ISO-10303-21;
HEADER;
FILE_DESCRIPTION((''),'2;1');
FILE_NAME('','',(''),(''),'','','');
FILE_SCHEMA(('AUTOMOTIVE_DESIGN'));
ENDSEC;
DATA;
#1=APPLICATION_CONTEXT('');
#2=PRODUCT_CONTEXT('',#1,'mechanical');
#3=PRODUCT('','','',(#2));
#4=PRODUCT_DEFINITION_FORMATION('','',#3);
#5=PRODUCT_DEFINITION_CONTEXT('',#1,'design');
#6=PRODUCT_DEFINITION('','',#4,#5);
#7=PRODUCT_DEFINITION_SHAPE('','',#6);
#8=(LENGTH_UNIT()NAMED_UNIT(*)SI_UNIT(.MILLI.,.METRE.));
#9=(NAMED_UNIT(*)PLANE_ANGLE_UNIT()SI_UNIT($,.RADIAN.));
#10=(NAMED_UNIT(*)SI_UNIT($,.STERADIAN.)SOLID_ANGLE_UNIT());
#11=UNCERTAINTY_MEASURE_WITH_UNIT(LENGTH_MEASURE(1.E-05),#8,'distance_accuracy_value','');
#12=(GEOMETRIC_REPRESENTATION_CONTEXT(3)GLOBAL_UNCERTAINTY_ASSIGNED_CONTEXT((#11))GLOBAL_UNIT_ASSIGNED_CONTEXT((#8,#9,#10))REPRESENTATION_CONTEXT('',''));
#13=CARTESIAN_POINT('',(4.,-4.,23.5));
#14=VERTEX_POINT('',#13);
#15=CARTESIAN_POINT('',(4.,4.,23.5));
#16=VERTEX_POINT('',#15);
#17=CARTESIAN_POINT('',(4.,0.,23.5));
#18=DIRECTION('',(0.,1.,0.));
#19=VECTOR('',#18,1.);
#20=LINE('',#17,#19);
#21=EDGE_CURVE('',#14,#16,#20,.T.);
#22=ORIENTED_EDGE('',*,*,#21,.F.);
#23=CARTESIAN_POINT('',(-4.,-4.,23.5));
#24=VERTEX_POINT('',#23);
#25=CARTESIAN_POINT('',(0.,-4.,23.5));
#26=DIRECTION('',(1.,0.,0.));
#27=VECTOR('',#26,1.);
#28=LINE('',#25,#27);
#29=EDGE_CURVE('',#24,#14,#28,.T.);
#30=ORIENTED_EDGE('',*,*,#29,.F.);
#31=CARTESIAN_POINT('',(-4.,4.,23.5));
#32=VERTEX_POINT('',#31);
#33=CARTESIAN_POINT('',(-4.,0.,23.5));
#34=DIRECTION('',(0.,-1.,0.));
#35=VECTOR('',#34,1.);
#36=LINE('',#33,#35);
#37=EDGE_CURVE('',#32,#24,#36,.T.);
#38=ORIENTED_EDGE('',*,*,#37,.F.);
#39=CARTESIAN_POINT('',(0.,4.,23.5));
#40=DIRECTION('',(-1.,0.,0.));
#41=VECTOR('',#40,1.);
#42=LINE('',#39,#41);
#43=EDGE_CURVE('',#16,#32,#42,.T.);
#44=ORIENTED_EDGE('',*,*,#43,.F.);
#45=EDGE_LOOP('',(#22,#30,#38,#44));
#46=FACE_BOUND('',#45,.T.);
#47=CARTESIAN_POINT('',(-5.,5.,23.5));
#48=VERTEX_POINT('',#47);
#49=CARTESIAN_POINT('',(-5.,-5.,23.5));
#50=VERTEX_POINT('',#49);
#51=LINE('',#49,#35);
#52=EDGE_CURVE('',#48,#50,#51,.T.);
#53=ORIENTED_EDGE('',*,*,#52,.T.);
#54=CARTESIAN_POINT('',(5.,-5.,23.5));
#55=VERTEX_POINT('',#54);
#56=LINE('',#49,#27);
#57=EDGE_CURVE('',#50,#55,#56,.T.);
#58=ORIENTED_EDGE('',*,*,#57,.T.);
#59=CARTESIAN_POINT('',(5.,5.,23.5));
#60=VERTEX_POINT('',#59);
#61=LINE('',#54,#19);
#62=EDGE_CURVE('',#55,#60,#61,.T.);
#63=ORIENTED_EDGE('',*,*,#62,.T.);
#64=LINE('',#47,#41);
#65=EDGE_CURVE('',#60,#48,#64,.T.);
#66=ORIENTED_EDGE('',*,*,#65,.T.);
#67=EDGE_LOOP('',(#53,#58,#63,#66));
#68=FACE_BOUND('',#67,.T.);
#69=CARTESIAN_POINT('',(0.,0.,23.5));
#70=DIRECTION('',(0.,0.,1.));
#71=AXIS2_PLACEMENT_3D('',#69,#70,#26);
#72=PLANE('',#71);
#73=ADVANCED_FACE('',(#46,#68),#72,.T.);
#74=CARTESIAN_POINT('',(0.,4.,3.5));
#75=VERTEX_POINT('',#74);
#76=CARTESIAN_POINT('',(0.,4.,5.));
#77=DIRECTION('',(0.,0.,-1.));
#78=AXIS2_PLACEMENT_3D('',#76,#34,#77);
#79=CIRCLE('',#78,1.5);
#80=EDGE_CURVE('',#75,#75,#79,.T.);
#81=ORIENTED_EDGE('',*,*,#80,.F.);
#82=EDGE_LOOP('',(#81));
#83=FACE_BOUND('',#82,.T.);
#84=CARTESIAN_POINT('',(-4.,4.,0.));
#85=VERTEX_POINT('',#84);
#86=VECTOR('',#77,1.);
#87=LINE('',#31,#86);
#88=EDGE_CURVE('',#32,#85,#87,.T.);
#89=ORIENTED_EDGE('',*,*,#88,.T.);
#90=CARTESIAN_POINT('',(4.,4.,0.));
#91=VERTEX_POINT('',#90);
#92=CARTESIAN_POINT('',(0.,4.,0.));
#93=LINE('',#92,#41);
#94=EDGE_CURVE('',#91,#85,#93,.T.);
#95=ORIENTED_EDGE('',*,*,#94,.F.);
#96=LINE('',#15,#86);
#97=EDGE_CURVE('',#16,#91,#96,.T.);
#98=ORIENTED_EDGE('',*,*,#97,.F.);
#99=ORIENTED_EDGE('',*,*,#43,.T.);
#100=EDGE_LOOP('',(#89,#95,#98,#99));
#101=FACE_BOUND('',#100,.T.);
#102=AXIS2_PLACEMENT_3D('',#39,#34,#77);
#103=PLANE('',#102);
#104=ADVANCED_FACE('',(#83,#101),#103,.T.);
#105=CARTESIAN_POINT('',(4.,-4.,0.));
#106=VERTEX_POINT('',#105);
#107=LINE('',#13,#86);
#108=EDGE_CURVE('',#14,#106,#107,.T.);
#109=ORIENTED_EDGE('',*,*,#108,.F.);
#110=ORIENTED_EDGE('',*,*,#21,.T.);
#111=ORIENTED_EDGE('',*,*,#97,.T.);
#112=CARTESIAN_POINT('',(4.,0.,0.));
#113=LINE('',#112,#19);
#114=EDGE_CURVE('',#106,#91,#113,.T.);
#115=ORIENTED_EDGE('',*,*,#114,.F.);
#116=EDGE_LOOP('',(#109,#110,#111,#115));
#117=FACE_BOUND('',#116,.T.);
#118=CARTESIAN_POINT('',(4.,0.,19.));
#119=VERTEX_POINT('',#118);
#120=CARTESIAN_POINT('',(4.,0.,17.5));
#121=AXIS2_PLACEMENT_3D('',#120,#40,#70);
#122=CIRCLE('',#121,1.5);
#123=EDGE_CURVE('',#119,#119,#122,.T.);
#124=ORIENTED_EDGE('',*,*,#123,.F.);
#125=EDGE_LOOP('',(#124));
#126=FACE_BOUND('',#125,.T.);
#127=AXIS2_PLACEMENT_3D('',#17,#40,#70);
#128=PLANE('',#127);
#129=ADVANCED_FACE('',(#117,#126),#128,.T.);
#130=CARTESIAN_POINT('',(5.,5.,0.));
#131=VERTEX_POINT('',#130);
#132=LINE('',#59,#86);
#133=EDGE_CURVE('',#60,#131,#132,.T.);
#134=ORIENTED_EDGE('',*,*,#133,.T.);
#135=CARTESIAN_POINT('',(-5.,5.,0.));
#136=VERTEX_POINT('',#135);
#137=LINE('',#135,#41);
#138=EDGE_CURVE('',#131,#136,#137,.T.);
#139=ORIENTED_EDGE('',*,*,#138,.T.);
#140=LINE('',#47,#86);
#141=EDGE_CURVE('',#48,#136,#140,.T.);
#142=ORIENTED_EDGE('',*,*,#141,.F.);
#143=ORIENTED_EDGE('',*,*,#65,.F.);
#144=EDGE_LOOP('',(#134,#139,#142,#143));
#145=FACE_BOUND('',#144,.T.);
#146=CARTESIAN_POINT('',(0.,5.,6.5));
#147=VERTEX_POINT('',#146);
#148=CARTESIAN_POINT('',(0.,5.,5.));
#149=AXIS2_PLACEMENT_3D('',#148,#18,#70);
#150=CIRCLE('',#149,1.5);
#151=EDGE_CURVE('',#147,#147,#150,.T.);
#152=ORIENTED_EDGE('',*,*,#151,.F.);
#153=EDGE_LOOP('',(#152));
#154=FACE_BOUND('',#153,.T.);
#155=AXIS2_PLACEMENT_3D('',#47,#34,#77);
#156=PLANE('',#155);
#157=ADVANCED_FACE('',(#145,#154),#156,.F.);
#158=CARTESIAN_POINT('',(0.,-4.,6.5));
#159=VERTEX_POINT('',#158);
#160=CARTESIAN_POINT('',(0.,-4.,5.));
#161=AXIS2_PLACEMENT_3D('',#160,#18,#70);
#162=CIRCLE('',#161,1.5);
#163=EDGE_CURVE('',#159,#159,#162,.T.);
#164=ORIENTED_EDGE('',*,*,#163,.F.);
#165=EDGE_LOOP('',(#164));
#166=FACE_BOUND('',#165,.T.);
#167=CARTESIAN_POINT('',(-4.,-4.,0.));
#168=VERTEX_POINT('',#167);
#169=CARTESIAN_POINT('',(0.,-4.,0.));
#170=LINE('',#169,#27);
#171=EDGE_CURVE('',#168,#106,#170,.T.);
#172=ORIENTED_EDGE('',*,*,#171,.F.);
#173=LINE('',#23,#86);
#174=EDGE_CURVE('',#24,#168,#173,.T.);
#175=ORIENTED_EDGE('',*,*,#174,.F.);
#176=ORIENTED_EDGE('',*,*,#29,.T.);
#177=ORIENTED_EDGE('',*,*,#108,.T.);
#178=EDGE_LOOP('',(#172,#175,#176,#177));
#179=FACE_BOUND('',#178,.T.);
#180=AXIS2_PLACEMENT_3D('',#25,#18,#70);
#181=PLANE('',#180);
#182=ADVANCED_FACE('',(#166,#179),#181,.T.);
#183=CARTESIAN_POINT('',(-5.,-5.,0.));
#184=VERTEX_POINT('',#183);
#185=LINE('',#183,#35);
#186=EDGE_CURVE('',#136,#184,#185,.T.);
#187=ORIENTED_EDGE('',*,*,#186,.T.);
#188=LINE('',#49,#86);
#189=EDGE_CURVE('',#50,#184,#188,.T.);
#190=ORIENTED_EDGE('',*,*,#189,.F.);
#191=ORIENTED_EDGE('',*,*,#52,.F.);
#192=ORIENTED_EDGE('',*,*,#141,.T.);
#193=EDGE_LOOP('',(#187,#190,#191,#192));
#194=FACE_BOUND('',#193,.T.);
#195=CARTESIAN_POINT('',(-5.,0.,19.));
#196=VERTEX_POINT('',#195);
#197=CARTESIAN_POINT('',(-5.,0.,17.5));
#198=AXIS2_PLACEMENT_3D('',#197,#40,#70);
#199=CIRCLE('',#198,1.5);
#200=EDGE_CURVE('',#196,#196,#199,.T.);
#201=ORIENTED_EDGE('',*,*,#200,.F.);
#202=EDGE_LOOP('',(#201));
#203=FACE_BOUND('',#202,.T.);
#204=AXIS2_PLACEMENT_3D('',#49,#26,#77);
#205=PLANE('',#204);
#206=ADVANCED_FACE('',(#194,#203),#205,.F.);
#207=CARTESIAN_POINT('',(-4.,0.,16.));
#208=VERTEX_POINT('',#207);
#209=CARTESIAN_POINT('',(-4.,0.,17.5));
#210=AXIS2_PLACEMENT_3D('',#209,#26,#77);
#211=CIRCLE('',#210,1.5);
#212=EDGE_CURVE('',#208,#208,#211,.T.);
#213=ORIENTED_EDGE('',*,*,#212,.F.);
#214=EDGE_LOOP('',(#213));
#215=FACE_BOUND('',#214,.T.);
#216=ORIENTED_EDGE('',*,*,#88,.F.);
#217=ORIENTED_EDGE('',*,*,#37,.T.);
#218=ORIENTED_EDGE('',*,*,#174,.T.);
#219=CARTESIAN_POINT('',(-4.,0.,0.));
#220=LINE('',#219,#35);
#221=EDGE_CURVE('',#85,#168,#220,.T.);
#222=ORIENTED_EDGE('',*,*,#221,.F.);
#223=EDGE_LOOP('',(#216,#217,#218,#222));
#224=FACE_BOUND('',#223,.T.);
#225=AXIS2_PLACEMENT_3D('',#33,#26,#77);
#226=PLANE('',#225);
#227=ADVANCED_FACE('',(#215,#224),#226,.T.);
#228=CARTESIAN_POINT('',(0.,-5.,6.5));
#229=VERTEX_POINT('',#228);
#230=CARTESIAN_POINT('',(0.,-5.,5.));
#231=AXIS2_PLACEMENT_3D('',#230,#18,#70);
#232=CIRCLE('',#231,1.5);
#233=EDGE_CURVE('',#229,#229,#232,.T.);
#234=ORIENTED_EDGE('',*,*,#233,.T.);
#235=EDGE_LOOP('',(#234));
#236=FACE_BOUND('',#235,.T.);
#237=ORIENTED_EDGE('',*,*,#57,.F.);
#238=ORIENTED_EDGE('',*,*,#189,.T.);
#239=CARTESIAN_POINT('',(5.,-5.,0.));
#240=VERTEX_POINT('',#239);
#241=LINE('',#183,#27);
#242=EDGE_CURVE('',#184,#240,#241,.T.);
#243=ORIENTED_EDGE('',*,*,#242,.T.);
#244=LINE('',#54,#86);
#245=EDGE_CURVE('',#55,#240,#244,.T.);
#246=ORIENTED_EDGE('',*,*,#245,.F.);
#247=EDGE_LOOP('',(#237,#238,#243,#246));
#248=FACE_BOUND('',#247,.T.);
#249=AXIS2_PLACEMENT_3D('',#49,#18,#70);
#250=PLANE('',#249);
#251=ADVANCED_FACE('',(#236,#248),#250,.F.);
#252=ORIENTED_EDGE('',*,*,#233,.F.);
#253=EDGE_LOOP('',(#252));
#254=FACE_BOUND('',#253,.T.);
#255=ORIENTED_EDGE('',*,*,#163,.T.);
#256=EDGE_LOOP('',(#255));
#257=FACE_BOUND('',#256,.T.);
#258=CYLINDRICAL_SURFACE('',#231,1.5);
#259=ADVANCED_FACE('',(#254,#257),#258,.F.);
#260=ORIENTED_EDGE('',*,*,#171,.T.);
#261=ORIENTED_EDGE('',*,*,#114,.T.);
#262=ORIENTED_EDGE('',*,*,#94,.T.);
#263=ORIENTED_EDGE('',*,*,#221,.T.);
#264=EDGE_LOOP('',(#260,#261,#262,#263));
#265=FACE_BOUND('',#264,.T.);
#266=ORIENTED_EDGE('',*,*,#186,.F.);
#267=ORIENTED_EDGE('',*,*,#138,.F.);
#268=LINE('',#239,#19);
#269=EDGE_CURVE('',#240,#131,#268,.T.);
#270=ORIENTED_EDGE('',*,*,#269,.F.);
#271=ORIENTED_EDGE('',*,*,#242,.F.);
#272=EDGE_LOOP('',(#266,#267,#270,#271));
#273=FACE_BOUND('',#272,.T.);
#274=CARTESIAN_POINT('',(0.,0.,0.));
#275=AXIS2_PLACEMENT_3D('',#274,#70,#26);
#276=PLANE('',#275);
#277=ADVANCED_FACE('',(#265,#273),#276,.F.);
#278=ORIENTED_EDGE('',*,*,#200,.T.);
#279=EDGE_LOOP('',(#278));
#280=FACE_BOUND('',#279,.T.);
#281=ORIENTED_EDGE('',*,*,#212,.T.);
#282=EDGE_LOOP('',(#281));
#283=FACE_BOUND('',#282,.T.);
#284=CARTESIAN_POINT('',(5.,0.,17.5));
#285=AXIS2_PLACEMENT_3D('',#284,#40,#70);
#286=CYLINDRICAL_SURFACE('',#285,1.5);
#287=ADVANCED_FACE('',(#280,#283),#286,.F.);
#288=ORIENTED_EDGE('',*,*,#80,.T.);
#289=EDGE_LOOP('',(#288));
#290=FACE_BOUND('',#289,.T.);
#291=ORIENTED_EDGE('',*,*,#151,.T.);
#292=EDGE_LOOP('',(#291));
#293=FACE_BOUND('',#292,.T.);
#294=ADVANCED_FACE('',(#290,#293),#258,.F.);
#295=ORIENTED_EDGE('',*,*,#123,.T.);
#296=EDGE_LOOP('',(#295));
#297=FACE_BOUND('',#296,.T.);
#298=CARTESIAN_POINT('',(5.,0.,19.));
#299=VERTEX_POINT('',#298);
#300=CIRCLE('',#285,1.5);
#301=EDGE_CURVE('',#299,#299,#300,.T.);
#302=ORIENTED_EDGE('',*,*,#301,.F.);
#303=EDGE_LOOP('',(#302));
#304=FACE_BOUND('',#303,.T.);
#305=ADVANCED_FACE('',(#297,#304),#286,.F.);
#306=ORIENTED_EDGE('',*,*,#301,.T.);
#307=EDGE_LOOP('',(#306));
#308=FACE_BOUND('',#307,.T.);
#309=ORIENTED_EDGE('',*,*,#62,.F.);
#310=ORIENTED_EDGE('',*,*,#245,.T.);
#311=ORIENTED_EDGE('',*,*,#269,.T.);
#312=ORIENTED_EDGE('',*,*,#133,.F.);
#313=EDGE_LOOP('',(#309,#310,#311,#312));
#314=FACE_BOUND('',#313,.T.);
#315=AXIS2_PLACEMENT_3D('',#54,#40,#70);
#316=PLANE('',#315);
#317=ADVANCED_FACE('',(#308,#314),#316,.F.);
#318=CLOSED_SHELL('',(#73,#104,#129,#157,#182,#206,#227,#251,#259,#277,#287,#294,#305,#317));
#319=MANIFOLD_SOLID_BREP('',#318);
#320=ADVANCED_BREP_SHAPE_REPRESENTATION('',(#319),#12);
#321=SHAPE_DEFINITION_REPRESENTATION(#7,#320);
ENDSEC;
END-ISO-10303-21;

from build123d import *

# Parameters (mm, degrees)
SKETCH_1_W          = 10
SKETCH_1_H          = 10
SKETCH_1_W_2        = 8
SKETCH_1_H_2        = 8
EXTRUDE_1_DEPTH     = 23.5
SKETCH_2_R          = 1.5
CUT_EXTRUDE_1_DEPTH = 27.024027359
SKETCH_3_R          = 1.5
CUT_EXTRUDE_2_DEPTH = 27.024027359


with BuildPart() as part:
    # ｽｹｯﾁ1 → 押し出し-薄板1 (new body)
    with BuildSketch(Plane.XY):
        Rectangle(SKETCH_1_W, SKETCH_1_H)
        Rectangle(SKETCH_1_W_2, SKETCH_1_H_2, mode=Mode.SUBTRACT)
    extrude(amount=EXTRUDE_1_DEPTH)

    # ｽｹｯﾁ2 → ｶｯﾄ - 押し出し1 (cut, through all)
    with BuildSketch(Plane(origin=(0, 5, 0), x_dir=(1, 0, 0), z_dir=(0, 1, 0))):
        with Locations(Location((0, -5, 0), (0, 0, 270))):
            Circle(SKETCH_2_R)
    extrude(amount=-CUT_EXTRUDE_1_DEPTH, mode=Mode.SUBTRACT)

    # ｽｹｯﾁ3 → ｶｯﾄ - 押し出し2 (cut, through all)
    with BuildSketch(Plane.ZY.offset(5)):
        with Locations((17.5, 0)):
            Circle(SKETCH_3_R)
    extrude(amount=-CUT_EXTRUDE_2_DEPTH, mode=Mode.SUBTRACT)


solid = part.part
